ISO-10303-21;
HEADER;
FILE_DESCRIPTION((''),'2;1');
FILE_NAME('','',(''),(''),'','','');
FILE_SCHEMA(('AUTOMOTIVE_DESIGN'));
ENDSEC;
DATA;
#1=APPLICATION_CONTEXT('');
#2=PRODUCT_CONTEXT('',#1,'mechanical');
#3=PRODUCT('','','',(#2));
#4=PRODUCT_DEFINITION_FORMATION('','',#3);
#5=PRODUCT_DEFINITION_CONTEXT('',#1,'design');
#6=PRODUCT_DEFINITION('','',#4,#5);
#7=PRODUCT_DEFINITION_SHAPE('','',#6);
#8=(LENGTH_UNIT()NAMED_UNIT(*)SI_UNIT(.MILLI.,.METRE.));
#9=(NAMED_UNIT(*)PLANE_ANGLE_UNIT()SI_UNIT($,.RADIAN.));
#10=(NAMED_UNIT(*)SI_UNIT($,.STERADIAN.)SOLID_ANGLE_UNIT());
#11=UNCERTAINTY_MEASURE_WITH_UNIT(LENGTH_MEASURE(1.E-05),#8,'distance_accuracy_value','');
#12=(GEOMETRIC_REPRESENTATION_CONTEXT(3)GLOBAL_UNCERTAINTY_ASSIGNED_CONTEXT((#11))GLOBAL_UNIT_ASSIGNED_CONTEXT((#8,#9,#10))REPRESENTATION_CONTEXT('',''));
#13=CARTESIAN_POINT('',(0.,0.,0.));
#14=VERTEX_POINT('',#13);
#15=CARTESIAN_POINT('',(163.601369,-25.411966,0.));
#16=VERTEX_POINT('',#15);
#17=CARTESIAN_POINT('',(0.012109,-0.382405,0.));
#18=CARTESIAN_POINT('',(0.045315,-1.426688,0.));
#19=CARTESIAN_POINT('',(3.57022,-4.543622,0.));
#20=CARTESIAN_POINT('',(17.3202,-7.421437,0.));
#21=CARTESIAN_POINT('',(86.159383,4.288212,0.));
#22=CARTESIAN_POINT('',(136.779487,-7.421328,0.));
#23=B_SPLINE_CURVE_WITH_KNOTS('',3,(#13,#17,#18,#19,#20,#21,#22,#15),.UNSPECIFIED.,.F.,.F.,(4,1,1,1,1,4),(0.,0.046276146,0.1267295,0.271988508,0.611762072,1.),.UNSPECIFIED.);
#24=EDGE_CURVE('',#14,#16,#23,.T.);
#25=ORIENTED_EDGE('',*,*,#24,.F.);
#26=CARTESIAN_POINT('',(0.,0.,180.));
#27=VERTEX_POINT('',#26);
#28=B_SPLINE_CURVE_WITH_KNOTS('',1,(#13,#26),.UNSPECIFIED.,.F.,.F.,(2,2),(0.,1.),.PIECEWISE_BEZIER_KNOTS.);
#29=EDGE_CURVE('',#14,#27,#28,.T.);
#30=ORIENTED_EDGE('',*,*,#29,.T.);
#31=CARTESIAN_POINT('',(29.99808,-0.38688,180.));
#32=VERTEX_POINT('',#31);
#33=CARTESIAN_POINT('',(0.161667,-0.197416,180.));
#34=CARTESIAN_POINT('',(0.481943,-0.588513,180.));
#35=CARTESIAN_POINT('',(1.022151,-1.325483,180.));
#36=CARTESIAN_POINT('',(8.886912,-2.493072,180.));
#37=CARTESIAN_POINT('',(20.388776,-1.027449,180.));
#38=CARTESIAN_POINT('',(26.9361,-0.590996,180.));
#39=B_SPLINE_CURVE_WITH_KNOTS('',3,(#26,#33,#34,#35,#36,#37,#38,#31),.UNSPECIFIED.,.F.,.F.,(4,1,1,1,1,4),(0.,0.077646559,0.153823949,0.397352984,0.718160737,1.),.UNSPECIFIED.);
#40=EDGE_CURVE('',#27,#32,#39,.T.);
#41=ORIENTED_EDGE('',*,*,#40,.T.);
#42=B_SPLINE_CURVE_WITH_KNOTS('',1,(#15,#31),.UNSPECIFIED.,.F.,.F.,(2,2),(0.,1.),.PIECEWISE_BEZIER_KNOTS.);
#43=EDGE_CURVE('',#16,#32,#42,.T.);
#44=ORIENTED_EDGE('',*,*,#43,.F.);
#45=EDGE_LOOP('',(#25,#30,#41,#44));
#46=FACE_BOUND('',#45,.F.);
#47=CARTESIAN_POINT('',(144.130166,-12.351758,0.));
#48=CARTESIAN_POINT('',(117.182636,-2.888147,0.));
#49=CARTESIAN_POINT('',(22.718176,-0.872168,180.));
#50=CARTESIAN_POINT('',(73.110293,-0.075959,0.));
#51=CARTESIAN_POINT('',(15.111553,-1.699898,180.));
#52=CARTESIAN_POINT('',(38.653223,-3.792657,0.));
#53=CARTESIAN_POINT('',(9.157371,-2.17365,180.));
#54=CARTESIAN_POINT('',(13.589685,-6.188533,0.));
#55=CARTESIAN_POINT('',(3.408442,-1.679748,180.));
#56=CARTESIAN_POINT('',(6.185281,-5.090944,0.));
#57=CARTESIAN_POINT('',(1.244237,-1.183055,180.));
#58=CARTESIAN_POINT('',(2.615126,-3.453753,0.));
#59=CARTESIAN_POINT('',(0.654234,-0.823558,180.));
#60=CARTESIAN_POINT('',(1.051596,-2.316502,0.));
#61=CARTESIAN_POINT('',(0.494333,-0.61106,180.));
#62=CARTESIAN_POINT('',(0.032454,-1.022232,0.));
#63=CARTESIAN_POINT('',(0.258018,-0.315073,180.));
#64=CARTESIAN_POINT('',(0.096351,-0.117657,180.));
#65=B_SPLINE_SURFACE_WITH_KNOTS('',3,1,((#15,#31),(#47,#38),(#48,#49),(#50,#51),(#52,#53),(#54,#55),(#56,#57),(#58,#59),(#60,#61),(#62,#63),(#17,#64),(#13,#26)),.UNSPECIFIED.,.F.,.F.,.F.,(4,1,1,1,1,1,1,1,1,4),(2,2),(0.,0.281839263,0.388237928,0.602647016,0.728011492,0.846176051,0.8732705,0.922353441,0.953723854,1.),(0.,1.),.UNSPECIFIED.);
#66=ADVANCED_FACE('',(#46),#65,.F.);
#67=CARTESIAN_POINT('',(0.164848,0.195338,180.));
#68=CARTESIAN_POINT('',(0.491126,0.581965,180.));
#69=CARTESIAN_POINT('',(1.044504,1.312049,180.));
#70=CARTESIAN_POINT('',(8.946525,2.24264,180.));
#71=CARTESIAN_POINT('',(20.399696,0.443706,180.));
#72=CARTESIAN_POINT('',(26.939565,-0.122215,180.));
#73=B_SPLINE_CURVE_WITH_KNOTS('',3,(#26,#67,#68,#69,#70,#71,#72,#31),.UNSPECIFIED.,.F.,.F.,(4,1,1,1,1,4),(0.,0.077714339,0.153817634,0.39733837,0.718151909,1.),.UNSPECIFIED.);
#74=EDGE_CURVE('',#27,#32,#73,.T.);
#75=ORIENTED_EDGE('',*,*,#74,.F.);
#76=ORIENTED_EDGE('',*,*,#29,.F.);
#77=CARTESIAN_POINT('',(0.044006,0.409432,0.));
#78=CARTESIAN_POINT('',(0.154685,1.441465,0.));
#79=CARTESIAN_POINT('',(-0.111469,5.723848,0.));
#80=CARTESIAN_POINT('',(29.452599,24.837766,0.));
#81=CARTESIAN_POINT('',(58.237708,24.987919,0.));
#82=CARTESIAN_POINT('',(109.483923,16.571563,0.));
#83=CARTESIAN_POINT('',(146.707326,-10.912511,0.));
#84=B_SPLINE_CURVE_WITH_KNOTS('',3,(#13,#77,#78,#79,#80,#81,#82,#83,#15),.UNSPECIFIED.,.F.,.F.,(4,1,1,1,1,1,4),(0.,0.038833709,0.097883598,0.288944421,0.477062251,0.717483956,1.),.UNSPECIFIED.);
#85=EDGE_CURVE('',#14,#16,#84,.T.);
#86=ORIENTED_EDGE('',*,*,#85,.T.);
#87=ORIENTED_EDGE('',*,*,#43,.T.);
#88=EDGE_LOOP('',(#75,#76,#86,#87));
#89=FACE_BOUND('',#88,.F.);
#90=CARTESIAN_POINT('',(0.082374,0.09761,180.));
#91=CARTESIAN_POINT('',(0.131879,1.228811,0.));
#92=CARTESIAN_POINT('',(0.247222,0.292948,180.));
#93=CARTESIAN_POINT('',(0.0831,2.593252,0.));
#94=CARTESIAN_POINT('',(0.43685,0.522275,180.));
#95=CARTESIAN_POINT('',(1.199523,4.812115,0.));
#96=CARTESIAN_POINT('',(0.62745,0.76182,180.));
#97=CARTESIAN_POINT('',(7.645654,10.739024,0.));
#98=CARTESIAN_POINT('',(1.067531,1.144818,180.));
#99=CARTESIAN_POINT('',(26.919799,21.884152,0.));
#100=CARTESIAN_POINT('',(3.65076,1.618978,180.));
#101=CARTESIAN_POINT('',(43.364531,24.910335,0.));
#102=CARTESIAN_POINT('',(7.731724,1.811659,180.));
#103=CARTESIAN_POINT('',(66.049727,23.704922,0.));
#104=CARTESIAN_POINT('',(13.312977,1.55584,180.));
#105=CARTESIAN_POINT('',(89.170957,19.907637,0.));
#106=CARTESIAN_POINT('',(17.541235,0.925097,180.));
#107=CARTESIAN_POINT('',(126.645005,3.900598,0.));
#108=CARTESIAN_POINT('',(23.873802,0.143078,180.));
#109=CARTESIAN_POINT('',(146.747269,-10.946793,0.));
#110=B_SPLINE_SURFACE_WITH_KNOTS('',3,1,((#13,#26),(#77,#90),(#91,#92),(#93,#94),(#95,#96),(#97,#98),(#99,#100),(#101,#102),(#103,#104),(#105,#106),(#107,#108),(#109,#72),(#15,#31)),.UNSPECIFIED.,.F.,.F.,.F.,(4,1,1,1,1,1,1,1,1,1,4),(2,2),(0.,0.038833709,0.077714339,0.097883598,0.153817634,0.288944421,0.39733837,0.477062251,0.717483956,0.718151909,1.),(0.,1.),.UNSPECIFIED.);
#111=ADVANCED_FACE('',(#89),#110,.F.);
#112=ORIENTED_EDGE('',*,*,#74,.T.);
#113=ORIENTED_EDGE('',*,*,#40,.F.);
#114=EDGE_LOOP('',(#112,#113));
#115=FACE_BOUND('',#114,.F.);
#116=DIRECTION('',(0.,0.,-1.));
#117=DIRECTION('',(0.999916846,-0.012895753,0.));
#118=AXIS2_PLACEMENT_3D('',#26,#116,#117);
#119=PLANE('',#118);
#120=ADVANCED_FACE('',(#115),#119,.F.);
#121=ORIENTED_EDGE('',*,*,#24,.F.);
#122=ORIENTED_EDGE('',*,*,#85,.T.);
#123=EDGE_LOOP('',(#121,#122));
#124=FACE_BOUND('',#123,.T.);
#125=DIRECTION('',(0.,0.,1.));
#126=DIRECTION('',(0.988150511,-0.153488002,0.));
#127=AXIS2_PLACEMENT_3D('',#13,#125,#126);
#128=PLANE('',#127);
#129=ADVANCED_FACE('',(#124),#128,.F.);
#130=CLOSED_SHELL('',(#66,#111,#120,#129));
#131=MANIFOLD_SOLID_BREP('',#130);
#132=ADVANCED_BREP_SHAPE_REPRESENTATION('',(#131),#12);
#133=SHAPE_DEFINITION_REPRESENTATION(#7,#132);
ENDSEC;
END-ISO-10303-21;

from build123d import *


with BuildPart() as f5:
    # F1 (on Top) → F5 section 0
    with BuildSketch(Plane.XY):
        with BuildLine():
            add(Edge.make_bspline(
                [(0, 0), (0.0440063586, 0.409431681), (0.1546846219, 1.4414647289), (-0.1114693283, 5.7238481705), (29.4525990579, 24.8377661758), (58.2377080718, 24.9879189896), (109.483923161, 16.571563408), (146.7073261738, -10.9125114977), (163.601369, -25.411966)],
                knots=[0, 0, 0, 0, 0.0388337093, 0.0978835981, 0.2889444211, 0.4770622507, 0.7174839565, 1, 1, 1, 1], degree=3))
            add(Edge.make_bspline(
                [(0, 0), (0.0121094035, -0.3824046329), (0.0453150814, -1.4266876695), (3.5702202446, -4.5436223563), (17.3202002764, -7.4214367505), (86.1593831246, 4.2882119759), (136.779487133, -7.4213282205), (163.601369, -25.411966)],
                knots=[0, 0, 0, 0, 0.0462761464, 0.1267294999, 0.2719885081, 0.6117620718, 1, 1, 1, 1], degree=3))
        make_face()
    # F4 (on offset) → F5 section 1
    with BuildSketch(Plane.XY.offset(180)):
        with BuildLine():
            add(Edge.make_bspline(
                [(0, 0), (0.1648478812, 0.1953382552), (0.491126294, 0.5819653407), (1.0445035175, 1.3120487734), (8.9465250618, 2.2426400689), (20.3996964187, 0.4437058296), (26.939565184, -0.1222147005), (29.99808, -0.38688)],
                knots=[0, 0, 0, 0, 0.0777143388, 0.1538176344, 0.3973383702, 0.7181519095, 1, 1, 1, 1], degree=3))
            add(Edge.make_bspline(
                [(0, 0), (0.1616671977, -0.197416237), (0.4819426498, -0.5885133516), (1.0221510677, -1.325482985), (8.8869122817, -2.4930717144), (20.3887763929, -1.0274488986), (26.9361002837, -0.5909956211), (29.99808, -0.38688)],
                knots=[0, 0, 0, 0, 0.077646559, 0.1538239492, 0.3973529836, 0.718160737, 1, 1, 1, 1], degree=3))
        make_face()
    loft()


solid = f5.part
